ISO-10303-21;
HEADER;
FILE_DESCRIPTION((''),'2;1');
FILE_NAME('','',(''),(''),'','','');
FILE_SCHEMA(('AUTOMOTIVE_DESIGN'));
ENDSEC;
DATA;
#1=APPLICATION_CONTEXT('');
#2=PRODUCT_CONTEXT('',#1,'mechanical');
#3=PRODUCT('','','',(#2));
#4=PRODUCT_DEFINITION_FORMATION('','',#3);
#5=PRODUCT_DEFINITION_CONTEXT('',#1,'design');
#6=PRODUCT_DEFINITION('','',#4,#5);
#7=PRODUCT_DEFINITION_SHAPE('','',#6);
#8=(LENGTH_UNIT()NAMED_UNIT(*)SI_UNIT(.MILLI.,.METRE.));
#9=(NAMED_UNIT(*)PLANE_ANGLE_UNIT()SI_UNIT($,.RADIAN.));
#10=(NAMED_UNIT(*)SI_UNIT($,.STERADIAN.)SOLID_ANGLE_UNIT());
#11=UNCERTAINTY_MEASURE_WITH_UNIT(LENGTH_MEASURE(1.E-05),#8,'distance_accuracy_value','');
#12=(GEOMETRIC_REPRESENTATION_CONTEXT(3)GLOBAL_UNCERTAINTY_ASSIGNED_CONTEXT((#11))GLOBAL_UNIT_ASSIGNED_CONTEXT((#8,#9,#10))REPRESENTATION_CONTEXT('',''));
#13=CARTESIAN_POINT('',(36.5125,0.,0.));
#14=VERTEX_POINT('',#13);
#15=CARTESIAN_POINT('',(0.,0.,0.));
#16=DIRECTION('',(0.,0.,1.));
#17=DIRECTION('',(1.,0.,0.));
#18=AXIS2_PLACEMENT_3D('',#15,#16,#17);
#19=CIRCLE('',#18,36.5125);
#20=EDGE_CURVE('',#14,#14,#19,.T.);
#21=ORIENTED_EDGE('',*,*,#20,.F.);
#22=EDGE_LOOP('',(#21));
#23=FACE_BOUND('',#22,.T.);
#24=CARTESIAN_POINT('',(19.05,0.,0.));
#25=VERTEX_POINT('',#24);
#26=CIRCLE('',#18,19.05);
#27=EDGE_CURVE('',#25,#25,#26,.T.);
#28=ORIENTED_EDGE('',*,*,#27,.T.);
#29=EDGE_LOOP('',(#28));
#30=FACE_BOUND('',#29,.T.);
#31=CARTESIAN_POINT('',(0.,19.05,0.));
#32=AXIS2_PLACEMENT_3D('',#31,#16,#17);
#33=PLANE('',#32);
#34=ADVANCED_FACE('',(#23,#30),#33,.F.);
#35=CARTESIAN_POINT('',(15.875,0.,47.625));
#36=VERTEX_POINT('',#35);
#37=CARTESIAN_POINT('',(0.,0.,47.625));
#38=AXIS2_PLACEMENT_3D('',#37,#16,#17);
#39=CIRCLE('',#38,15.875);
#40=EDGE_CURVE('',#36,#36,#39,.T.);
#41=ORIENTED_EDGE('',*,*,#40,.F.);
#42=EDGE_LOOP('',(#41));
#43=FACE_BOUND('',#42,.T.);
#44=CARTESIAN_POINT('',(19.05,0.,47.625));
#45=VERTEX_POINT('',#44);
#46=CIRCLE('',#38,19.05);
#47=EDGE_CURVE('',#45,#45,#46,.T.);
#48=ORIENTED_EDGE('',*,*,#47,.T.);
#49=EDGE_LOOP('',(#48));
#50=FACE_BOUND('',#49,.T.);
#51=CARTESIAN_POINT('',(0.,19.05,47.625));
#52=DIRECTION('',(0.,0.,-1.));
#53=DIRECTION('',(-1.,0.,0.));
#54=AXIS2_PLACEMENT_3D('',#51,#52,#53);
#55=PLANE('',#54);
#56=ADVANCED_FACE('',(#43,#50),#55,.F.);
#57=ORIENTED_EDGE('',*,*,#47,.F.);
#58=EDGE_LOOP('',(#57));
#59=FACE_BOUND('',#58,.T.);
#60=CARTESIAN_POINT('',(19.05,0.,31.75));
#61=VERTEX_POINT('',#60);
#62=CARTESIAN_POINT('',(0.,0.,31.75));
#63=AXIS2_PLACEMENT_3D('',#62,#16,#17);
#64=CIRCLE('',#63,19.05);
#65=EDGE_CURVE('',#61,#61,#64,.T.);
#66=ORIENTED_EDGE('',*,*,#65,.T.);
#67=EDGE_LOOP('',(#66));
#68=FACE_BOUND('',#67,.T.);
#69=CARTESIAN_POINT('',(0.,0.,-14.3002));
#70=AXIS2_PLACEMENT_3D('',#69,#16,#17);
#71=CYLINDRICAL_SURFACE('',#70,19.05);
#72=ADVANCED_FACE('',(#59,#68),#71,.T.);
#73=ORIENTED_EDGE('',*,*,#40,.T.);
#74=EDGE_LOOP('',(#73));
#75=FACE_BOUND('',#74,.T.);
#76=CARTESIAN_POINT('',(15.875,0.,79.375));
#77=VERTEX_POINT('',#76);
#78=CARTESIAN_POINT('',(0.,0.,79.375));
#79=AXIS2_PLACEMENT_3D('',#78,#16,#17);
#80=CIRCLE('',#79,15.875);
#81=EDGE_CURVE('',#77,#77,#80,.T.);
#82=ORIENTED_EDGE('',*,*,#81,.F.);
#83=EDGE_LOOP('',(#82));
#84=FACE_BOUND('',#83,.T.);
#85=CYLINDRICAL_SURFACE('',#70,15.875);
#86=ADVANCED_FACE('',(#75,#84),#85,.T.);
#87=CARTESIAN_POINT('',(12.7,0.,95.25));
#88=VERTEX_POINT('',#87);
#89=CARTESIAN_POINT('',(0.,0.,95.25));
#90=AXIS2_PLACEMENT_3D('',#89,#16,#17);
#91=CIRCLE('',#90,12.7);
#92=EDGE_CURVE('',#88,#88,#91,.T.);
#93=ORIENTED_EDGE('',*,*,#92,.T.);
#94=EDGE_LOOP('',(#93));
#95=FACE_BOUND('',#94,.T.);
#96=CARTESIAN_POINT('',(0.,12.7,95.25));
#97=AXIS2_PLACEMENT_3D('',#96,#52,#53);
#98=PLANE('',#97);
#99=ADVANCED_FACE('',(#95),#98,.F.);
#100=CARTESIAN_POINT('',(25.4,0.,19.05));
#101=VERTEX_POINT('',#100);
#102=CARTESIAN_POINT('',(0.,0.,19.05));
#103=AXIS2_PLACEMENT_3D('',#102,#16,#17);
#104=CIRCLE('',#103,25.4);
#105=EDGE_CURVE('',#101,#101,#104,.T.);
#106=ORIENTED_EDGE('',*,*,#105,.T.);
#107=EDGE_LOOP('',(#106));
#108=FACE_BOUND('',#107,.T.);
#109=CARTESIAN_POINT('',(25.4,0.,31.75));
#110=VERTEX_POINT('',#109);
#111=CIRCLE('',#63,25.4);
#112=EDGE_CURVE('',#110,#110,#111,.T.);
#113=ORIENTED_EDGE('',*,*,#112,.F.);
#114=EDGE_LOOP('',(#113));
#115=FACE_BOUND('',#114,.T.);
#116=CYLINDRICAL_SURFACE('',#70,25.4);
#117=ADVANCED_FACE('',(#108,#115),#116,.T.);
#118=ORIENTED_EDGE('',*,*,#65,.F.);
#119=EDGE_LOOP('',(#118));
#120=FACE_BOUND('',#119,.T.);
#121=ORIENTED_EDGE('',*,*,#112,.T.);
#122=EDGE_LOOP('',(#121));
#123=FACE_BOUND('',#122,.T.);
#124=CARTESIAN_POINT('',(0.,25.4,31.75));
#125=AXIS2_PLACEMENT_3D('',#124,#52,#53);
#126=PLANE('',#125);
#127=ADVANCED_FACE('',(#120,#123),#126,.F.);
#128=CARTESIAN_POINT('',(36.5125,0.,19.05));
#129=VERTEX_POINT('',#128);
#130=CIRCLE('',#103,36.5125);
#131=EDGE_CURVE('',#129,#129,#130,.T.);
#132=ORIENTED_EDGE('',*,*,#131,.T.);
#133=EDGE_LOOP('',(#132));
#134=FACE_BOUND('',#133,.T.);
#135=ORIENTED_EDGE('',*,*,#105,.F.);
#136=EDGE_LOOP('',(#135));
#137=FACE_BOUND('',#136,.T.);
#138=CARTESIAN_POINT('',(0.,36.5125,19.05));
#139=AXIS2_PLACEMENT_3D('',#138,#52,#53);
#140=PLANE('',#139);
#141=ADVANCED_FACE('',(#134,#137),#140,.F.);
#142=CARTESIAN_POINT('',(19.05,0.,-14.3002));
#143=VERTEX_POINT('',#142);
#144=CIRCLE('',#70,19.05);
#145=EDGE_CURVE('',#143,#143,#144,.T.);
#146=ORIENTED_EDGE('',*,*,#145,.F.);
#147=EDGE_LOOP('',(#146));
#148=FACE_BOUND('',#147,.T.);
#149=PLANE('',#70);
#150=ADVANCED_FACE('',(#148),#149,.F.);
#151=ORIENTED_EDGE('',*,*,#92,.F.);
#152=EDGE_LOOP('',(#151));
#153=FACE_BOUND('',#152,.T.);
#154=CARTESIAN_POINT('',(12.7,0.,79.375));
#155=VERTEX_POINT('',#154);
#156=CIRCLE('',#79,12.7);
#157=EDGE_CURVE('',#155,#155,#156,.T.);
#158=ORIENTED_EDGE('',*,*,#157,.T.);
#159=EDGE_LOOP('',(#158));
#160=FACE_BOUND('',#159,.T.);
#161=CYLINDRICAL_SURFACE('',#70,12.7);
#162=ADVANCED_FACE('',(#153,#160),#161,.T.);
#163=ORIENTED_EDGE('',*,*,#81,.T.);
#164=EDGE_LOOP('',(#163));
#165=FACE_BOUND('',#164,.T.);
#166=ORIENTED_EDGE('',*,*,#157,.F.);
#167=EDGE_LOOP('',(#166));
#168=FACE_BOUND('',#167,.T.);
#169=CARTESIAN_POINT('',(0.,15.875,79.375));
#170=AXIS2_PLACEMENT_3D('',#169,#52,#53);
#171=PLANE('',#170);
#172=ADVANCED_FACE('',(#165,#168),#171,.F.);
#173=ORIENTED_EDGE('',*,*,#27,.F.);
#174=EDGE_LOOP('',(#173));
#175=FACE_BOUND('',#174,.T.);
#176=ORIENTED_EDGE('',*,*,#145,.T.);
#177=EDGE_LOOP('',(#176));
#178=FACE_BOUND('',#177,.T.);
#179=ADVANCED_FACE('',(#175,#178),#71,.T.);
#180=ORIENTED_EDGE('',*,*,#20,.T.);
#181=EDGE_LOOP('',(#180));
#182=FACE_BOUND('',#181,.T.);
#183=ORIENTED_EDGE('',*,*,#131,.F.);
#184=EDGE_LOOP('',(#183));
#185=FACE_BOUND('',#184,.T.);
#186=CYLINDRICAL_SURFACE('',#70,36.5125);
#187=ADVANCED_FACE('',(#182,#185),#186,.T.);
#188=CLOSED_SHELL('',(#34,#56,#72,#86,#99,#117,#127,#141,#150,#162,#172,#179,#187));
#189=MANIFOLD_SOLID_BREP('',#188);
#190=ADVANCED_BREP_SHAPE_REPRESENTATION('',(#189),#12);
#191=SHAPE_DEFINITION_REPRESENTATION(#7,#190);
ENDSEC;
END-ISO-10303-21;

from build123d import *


with BuildPart() as part:
    # Sketch1 → Revolve1 (revolve)
    with BuildSketch(Plane(origin=(0, 0, 0), x_dir=(0, 0, -1), z_dir=(1, 0, 0)), mode=Mode.PRIVATE) as revolve1_sk:
        Polygon((14.3002, 19.05), (0, 19.05), (0, 36.5125), (-19.05, 36.5125), (-19.05, 25.4), (-31.75, 25.4), (-31.75, 19.05), (-47.625, 19.05), (-47.625, 15.875), (-79.375, 15.875), (-79.375, 12.7), (-95.25, 12.7), (-95.25, 0), (14.3002, 0), align=None)
    revolve(revolve1_sk.sketch.rotate(Axis((0, 0, -14.3002), (0, 0, -1)), 90), axis=Axis((0, 0, -14.3002), (0, 0, -1)))


solid = part.part
